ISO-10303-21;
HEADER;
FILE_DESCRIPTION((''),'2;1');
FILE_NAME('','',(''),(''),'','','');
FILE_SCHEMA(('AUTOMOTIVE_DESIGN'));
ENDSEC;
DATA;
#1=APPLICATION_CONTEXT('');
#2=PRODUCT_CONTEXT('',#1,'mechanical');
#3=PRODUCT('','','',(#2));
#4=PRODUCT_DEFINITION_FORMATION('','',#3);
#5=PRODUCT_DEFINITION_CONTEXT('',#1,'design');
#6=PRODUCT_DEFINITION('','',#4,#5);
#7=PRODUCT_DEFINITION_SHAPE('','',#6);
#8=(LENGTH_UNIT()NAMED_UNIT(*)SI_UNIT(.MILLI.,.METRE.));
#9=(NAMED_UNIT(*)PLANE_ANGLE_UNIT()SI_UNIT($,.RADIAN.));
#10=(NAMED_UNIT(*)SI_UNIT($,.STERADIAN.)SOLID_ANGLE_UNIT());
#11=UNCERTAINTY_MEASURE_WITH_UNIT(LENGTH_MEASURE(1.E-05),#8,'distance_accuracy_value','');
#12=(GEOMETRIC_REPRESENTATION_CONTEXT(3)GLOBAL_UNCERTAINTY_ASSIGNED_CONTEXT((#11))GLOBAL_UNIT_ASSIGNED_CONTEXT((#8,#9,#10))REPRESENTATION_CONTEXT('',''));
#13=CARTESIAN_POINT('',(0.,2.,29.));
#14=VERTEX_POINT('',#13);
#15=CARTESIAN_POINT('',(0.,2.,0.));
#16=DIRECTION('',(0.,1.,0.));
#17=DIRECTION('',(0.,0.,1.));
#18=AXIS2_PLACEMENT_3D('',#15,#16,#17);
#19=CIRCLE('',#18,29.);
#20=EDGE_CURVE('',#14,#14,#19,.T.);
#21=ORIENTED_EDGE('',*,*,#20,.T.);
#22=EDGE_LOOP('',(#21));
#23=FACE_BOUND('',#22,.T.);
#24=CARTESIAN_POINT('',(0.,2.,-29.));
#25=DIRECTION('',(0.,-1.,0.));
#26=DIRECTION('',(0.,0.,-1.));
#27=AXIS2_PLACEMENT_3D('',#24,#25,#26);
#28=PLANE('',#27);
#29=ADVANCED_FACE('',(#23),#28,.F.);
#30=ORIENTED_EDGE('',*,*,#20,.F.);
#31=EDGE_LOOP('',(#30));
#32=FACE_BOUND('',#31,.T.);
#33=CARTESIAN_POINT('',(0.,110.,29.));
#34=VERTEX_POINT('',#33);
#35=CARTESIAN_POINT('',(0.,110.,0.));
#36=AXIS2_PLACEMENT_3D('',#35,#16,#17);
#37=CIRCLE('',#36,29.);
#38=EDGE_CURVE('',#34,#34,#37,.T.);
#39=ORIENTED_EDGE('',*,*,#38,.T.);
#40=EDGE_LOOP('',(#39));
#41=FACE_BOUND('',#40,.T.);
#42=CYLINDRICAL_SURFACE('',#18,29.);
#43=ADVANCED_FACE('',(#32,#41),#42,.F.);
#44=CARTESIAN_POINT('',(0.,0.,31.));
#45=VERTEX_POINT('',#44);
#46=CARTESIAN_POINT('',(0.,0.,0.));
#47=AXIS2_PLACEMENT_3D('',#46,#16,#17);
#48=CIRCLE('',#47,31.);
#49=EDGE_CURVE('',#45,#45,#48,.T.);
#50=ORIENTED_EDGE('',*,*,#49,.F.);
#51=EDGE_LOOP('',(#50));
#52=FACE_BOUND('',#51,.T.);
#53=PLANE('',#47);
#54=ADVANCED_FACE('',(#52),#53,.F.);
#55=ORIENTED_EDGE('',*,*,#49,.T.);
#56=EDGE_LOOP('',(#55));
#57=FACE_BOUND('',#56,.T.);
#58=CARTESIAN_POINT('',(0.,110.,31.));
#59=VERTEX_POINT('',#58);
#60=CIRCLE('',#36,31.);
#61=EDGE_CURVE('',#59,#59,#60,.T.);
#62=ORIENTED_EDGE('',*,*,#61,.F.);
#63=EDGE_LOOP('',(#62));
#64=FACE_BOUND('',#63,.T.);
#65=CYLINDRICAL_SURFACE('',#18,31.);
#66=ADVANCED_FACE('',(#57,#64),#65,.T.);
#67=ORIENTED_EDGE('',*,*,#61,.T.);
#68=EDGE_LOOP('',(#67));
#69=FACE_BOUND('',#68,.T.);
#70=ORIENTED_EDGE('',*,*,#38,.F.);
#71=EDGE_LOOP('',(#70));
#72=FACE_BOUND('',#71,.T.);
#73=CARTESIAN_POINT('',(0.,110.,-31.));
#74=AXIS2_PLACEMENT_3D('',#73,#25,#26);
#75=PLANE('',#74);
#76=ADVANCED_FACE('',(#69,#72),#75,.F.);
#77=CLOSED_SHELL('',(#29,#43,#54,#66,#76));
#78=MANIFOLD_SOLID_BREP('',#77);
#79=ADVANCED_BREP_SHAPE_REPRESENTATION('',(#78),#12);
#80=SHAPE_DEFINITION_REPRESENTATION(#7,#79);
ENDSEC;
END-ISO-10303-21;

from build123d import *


with BuildPart() as part:
    # Sketch1 → Revolve1 (revolve)
    with BuildSketch(Plane(origin=(0, 0, 0), x_dir=(0, 0, -1), z_dir=(1, 0, 0)), mode=Mode.PRIVATE) as revolve1_sk:
        Polygon((0, 0), (31, 0), (31, 110), (29, 110), (29, 2), (0, 2), align=None)
    revolve(revolve1_sk.sketch.rotate(Axis((0, 2, 0), (0, -1, 0)), 180), axis=Axis((0, 2, 0), (0, -1, 0)))


solid = part.part
